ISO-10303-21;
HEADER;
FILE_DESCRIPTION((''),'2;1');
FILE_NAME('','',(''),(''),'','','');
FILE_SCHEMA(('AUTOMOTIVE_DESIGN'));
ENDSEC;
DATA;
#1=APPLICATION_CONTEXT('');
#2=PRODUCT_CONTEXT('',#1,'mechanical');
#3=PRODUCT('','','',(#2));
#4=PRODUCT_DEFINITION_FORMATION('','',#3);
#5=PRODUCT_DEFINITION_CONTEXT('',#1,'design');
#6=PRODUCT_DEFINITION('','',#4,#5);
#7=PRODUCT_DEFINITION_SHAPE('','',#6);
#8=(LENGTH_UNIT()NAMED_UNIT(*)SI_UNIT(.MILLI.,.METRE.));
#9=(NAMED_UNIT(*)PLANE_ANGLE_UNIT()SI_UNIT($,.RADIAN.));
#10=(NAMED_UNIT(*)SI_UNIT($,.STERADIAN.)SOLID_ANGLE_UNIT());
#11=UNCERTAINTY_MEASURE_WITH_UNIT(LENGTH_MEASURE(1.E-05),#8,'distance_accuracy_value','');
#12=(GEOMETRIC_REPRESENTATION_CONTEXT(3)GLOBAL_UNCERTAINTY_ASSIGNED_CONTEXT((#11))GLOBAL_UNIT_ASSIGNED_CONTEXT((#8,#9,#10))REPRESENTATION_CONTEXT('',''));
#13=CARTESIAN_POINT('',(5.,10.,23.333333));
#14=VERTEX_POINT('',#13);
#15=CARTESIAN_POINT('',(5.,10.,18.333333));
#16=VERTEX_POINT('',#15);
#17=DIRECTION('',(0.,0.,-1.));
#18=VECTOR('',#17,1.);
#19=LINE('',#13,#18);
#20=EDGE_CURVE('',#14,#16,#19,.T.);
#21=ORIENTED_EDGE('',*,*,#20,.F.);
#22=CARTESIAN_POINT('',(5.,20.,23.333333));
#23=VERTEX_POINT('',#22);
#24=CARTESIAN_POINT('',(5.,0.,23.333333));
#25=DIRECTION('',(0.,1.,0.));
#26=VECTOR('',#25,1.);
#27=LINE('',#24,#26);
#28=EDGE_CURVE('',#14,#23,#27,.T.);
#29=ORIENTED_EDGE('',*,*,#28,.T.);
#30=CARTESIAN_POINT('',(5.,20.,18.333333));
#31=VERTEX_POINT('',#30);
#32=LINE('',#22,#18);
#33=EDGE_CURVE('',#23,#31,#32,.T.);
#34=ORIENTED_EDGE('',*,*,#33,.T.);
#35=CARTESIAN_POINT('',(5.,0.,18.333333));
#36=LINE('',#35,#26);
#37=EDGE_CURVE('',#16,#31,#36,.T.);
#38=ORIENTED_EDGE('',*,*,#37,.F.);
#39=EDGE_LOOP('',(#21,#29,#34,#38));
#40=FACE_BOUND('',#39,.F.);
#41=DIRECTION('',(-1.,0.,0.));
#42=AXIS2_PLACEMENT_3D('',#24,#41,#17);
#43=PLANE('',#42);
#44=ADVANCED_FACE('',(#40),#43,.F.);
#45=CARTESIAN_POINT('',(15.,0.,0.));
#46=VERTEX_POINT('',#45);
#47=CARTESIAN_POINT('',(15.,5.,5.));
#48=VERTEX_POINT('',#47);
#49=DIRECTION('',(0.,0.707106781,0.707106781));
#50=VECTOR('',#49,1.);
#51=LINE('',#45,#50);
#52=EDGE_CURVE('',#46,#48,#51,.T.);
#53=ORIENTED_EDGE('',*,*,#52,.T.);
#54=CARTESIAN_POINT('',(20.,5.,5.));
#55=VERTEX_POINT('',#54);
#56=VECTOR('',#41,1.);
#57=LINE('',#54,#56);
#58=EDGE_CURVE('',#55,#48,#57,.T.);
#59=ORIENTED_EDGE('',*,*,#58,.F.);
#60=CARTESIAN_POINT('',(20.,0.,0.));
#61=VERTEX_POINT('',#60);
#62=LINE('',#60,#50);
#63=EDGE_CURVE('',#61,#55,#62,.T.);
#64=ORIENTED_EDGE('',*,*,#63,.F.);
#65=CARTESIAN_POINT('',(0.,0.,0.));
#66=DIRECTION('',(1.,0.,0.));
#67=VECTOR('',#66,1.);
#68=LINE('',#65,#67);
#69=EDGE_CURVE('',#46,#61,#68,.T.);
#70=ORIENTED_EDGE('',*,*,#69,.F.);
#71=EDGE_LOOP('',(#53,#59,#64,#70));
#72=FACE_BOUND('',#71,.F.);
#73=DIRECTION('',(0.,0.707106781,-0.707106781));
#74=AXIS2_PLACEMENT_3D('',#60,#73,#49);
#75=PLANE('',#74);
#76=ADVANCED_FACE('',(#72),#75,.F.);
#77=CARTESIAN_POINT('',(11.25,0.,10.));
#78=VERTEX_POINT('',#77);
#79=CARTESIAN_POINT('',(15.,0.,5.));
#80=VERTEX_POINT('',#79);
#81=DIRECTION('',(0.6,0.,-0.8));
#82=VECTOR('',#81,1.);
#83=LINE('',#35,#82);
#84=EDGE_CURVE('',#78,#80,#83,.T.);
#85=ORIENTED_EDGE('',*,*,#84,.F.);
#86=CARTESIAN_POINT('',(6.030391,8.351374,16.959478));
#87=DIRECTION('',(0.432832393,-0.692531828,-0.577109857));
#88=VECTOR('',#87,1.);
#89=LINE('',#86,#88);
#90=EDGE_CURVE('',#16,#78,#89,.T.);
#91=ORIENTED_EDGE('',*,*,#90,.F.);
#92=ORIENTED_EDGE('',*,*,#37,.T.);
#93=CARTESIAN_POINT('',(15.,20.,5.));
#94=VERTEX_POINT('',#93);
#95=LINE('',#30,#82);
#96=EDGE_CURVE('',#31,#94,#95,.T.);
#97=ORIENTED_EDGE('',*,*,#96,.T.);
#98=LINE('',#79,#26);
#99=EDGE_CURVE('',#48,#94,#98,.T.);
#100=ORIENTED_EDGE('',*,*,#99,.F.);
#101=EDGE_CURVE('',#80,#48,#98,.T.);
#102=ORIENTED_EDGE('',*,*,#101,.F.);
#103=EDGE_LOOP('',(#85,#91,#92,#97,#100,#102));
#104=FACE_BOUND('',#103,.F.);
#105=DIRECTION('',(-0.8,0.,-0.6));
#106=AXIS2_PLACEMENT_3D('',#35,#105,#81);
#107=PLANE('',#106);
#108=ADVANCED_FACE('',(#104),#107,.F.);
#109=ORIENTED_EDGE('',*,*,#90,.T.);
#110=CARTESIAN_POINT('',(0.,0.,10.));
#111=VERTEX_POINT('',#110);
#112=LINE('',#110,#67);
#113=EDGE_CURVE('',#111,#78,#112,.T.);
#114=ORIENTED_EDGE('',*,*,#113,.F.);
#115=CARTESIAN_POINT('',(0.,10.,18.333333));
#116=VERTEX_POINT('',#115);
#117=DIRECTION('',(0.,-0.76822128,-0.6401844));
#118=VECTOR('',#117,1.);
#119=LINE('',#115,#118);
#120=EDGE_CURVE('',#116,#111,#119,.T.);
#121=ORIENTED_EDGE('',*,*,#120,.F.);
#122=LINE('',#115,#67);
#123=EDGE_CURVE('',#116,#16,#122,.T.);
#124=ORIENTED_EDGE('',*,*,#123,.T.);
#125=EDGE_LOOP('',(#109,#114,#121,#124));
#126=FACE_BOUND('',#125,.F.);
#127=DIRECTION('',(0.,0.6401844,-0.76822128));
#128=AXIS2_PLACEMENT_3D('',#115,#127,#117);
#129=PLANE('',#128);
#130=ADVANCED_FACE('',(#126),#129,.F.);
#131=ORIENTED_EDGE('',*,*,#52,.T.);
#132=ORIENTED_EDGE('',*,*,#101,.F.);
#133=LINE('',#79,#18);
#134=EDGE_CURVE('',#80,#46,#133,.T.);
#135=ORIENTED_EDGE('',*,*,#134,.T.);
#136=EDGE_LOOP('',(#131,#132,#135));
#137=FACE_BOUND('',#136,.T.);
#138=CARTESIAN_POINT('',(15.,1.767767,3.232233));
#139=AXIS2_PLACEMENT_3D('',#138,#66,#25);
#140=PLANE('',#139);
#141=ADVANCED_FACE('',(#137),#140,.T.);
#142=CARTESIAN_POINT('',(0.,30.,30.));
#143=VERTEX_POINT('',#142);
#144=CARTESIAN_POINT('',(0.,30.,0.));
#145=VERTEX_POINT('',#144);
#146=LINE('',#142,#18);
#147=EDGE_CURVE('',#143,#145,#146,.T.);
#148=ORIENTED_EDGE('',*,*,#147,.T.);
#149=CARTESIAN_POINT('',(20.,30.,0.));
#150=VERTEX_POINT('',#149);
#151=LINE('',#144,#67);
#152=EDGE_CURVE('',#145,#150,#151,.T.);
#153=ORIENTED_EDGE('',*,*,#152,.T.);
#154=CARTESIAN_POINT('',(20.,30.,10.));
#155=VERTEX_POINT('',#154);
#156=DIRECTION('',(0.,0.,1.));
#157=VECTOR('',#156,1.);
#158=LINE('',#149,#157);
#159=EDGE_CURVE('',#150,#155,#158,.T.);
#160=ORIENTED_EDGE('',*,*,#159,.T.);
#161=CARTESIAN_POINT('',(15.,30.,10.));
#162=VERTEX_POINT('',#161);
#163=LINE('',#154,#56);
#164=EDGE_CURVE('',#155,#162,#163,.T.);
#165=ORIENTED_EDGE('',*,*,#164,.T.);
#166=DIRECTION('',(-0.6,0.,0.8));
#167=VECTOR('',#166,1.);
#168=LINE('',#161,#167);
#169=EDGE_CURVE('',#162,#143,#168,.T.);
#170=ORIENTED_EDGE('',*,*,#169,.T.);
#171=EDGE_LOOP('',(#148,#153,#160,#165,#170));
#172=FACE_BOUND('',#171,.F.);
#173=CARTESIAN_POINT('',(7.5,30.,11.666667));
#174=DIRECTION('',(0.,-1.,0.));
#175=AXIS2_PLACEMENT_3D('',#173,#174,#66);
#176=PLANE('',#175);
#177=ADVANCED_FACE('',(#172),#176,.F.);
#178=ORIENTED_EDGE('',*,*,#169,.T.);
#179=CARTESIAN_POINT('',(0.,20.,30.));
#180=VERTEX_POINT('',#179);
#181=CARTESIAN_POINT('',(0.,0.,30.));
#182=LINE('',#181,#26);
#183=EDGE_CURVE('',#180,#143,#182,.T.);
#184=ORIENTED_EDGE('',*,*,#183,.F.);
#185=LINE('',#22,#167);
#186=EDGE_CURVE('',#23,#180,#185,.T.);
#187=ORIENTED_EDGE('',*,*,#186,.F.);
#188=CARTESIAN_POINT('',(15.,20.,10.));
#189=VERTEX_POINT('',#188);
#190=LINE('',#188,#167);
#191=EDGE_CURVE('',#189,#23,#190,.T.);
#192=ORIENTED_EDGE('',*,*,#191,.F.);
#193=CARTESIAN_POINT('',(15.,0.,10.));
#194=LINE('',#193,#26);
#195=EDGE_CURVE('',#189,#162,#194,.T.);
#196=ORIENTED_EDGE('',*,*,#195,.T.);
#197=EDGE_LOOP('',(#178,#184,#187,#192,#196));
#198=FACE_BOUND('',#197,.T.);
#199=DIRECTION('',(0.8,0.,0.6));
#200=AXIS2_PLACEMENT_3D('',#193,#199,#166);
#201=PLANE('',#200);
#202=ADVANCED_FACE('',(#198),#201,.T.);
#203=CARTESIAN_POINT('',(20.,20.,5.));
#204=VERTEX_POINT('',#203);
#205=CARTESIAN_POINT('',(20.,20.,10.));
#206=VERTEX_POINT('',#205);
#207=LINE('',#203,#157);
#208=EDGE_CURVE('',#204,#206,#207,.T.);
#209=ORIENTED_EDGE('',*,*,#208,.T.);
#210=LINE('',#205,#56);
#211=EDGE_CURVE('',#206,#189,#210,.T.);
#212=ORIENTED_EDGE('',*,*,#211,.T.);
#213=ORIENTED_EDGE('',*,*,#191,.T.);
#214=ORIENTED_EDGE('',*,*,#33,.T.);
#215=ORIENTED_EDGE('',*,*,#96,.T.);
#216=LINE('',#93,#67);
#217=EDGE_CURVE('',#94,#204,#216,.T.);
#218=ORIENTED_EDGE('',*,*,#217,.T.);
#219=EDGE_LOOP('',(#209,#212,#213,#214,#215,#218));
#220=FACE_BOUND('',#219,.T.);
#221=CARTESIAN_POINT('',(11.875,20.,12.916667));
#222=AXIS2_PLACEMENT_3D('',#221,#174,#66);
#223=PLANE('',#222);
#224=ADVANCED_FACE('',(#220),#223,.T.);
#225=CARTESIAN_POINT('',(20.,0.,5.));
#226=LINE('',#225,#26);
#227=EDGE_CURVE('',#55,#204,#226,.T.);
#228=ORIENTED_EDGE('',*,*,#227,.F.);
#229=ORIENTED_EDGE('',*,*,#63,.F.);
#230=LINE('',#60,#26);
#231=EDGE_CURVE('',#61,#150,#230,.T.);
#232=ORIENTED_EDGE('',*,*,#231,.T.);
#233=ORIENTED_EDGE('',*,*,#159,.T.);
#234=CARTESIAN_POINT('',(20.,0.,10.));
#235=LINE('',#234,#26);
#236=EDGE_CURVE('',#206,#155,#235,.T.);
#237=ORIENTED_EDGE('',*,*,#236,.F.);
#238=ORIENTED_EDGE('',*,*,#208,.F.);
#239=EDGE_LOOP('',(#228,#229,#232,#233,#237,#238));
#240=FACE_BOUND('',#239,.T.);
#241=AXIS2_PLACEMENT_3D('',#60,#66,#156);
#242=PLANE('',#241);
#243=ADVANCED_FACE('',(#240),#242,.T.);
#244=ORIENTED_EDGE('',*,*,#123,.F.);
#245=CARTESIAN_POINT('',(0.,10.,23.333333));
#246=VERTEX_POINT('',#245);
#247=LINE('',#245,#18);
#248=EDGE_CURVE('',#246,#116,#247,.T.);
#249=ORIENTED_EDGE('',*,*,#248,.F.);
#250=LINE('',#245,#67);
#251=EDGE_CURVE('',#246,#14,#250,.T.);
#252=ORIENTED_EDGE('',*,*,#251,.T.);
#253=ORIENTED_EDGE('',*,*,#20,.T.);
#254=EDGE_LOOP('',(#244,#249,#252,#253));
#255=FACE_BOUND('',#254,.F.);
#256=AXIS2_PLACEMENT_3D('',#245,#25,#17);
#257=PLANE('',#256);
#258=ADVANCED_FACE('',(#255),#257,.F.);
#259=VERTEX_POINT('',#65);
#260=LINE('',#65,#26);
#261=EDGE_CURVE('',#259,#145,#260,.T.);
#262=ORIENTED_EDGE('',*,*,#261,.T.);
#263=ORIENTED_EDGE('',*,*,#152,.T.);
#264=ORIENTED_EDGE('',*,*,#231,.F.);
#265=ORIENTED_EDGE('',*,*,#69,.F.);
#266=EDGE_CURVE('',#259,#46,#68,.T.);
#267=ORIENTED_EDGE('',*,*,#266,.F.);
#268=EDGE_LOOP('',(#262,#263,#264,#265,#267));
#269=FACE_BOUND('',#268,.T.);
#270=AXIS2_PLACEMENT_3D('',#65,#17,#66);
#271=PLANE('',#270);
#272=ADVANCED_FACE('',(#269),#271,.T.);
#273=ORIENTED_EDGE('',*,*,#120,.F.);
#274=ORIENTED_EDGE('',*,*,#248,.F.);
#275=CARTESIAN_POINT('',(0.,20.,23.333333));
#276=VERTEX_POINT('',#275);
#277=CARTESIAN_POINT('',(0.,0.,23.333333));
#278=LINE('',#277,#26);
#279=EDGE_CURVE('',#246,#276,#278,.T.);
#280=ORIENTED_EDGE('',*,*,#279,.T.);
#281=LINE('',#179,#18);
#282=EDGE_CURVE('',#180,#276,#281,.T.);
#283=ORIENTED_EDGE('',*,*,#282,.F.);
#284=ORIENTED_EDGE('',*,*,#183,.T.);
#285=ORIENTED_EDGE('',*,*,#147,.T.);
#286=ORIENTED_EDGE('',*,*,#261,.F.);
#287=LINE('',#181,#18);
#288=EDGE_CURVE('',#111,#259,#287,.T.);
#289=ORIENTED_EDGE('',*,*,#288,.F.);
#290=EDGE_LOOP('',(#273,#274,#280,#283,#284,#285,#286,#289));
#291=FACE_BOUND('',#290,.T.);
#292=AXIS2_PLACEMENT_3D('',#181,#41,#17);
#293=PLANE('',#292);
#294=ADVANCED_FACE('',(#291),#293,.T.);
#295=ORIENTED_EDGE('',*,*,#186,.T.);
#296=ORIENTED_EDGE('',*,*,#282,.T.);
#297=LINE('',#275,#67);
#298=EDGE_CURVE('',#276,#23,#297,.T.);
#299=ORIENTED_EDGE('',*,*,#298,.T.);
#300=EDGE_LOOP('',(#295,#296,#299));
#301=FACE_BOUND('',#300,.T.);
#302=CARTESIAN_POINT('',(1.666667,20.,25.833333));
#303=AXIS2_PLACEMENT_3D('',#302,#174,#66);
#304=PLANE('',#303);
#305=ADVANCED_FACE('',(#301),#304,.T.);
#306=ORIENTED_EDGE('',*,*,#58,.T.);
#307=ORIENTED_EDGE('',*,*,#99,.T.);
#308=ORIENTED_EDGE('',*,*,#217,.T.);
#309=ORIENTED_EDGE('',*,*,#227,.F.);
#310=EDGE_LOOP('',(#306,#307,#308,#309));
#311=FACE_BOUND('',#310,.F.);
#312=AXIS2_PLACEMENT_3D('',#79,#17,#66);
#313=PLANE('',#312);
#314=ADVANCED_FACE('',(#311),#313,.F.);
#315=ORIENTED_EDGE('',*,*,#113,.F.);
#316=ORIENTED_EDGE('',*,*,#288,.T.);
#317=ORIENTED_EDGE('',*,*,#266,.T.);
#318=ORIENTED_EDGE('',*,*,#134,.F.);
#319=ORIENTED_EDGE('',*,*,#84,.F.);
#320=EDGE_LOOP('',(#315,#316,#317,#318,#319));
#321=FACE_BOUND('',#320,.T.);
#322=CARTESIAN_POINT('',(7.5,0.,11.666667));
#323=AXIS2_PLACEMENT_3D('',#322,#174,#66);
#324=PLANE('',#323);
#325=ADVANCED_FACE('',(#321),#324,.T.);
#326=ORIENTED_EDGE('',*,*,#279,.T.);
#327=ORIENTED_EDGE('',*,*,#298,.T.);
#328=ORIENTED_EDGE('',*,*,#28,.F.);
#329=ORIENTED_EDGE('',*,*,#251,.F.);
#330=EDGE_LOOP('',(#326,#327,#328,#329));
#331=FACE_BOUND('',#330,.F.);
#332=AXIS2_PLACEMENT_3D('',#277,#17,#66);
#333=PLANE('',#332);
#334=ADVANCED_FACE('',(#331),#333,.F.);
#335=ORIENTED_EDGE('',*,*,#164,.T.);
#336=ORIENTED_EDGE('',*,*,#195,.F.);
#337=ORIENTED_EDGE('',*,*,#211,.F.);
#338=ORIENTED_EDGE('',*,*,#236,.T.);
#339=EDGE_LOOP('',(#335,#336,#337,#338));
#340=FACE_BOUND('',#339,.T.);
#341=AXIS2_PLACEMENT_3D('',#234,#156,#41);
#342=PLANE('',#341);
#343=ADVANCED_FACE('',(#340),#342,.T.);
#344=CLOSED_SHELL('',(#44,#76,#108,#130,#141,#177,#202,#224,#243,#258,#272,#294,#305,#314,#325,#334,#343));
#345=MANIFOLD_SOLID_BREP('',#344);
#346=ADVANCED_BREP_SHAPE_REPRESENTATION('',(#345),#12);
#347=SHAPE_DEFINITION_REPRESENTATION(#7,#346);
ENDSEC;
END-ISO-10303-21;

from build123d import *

# Parameters (mm, degrees)
F1_DEPTH = 30
F3_DEPTH = 20
F5_DEPTH = 20.001
F7_DEPTH = 5


with BuildPart() as f1:
    # F0 (on Front) → F1 (new body)
    with BuildSketch(Plane.XZ):
        Polygon((0, 30), (0, 0), (20, 0), (20, 10), (15, 10), align=None)
    extrude(amount=-F1_DEPTH)

    # F2 (on face) → F3 (cut)
    with BuildSketch(Plane.XZ):
        Polygon((0, 30), (0, 23.3333333333), (5, 23.3333333333), align=None)
        Polygon((15, 10), (5, 23.3333333333), (5, 18.3333333333), (15, 5), (20, 5), (20, 10), align=None)
    extrude(amount=-F3_DEPTH, mode=Mode.SUBTRACT)

    # F4 (on face) → F5 (cut, through all)
    with BuildSketch(Plane(origin=(0, 0, 0), x_dir=(0, -1, 0), z_dir=(-1, 0, 0))):
        Polygon((0, 23.3333333333), (-10, 23.3333333333), (-10, 18.3333333333), (0, 10), align=None)
    extrude(amount=-F5_DEPTH, mode=Mode.SUBTRACT)

    # F6 (on face) → F7 (cut, through all)
    with BuildSketch(Plane.YZ.offset(20)):
        Polygon((0, 5), (0, 0), (5, 5), align=None)
    extrude(amount=-F7_DEPTH, mode=Mode.SUBTRACT)


solid = f1.part
